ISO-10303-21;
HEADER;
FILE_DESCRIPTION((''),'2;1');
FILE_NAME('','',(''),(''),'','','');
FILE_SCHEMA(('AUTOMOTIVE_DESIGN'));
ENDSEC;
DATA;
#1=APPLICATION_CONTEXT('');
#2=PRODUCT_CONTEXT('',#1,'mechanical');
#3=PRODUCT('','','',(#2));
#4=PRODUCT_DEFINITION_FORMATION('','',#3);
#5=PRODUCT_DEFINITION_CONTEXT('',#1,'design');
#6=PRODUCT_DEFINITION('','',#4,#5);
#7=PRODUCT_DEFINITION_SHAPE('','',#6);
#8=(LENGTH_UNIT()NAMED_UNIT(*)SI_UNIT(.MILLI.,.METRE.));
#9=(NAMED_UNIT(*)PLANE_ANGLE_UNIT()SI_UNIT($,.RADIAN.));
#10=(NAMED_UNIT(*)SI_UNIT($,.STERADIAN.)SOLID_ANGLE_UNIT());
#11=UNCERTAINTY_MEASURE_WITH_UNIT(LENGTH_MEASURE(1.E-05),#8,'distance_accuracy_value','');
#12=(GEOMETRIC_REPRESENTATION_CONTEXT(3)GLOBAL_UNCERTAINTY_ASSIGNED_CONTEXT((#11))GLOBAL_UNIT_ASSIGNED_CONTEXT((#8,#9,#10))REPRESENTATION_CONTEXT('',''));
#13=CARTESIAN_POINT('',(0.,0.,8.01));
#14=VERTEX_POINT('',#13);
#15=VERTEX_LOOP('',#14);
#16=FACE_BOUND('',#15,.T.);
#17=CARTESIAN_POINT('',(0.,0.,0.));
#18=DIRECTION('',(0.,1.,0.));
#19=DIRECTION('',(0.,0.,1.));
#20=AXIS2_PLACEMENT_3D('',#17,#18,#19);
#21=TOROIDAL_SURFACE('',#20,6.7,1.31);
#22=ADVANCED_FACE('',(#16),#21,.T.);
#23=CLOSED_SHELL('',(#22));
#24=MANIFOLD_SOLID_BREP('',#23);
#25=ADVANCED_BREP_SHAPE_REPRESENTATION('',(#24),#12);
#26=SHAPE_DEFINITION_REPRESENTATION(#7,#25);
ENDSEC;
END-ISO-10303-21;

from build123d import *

# Parameters (mm, degrees)
SKETCH1_R = 1.31


with BuildPart() as part:
    # Sketch1 → Revolve1 (revolve)
    with BuildSketch(Plane.XY, mode=Mode.PRIVATE) as revolve1_sk:
        with Locations((-6.7, 0)):
            Circle(SKETCH1_R)
    revolve(revolve1_sk.sketch.rotate(Axis((0, 7.794551818, 0), (0, -1, 0)), 270), axis=Axis((0, 7.794551818, 0), (0, -1, 0)))


solid = part.part
